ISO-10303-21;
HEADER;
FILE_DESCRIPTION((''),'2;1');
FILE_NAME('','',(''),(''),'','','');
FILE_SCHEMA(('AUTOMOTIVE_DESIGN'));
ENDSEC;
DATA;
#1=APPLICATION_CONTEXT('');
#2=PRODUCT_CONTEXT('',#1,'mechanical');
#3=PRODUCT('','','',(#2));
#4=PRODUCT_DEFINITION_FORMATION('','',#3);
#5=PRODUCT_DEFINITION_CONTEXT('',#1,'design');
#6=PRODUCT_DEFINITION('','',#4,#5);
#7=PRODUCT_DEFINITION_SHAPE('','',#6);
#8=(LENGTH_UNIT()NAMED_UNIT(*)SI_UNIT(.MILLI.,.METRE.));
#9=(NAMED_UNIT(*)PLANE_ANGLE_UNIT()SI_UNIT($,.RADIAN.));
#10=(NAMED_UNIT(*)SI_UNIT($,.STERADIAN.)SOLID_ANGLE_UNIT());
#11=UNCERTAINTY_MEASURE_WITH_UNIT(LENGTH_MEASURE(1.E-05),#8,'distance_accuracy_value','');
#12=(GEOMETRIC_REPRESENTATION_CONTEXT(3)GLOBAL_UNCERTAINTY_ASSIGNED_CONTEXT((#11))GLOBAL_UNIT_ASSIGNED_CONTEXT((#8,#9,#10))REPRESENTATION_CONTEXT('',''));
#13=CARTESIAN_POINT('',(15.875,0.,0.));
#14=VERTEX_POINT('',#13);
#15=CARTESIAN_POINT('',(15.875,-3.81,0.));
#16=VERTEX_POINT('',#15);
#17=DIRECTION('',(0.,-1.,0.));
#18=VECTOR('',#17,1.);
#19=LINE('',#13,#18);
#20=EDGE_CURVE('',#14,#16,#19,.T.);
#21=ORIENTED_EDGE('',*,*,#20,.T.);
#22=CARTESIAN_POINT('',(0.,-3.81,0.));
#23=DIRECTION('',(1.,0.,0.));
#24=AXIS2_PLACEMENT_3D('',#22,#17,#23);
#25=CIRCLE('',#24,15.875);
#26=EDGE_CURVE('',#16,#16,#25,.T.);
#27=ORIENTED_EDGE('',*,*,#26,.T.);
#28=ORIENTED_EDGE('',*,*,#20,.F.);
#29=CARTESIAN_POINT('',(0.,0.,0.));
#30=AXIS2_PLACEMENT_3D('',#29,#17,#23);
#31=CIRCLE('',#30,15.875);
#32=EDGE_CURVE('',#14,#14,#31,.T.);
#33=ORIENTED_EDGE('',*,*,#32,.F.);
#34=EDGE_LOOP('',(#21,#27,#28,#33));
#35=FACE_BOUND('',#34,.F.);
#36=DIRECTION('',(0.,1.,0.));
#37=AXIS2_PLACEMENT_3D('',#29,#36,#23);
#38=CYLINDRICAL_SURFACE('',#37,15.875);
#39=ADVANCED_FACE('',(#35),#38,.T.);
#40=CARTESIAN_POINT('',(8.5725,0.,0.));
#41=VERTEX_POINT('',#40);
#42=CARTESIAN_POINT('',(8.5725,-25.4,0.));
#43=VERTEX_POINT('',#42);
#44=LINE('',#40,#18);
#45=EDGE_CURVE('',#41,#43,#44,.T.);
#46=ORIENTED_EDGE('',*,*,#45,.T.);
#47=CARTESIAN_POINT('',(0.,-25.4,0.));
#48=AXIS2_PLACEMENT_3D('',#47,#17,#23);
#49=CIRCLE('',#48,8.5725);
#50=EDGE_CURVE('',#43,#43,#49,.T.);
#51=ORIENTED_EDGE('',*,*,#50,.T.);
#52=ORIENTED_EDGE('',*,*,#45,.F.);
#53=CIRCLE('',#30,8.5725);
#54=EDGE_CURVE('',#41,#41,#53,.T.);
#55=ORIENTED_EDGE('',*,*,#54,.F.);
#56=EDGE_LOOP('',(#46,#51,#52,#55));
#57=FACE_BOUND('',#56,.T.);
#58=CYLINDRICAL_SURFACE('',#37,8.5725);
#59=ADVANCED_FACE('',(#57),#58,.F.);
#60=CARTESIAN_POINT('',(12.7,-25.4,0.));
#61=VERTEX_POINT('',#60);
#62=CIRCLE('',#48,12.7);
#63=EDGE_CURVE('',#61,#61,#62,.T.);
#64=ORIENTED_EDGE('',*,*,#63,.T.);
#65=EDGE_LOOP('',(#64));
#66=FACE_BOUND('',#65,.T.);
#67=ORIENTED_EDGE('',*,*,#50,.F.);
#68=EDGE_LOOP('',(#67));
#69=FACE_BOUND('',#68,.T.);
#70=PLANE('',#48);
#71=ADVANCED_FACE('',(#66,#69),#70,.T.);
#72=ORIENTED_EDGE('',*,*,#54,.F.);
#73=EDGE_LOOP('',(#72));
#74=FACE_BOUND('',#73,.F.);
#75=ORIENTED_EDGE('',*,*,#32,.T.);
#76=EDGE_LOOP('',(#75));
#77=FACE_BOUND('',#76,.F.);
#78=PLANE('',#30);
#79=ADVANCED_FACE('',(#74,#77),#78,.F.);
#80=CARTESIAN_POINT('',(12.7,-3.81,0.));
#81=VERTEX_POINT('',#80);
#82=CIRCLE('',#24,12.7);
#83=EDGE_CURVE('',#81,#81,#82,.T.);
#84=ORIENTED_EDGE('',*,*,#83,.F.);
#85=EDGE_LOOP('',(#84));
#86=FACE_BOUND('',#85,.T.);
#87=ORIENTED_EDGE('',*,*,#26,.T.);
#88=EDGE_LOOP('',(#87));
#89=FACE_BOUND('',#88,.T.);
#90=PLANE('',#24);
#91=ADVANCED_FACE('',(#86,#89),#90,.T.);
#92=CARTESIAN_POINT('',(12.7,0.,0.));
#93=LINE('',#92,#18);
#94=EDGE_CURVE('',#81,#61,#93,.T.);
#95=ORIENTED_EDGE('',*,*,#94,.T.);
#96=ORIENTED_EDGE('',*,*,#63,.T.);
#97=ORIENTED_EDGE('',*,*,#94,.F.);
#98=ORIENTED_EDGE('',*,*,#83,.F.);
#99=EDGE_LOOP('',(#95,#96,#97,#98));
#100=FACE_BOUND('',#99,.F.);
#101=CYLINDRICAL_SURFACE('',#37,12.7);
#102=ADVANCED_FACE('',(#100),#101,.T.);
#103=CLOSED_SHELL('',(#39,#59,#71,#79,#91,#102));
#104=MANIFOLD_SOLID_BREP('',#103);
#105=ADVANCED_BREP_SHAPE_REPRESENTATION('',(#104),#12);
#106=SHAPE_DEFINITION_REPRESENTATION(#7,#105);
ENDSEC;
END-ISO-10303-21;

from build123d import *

# Parameters (mm, degrees)
F0_R     = 12.7
F0_R_2   = 8.5725
F1_DEPTH = 25.4
F0_R_3   = 15.875
F2_DEPTH = 3.81


with BuildPart() as f1:
    # F0 (on Front) → F1 (new body)
    with BuildSketch(Plane.XZ):
        Circle(F0_R)
        Circle(F0_R_2, mode=Mode.SUBTRACT)
    extrude(amount=F1_DEPTH)

    # F0 (on Front) → F2 (join)
    with BuildSketch(Plane.XZ):
        Circle(F0_R_3)
        Circle(F0_R, mode=Mode.SUBTRACT)
    extrude(amount=F2_DEPTH)


solid = f1.part
